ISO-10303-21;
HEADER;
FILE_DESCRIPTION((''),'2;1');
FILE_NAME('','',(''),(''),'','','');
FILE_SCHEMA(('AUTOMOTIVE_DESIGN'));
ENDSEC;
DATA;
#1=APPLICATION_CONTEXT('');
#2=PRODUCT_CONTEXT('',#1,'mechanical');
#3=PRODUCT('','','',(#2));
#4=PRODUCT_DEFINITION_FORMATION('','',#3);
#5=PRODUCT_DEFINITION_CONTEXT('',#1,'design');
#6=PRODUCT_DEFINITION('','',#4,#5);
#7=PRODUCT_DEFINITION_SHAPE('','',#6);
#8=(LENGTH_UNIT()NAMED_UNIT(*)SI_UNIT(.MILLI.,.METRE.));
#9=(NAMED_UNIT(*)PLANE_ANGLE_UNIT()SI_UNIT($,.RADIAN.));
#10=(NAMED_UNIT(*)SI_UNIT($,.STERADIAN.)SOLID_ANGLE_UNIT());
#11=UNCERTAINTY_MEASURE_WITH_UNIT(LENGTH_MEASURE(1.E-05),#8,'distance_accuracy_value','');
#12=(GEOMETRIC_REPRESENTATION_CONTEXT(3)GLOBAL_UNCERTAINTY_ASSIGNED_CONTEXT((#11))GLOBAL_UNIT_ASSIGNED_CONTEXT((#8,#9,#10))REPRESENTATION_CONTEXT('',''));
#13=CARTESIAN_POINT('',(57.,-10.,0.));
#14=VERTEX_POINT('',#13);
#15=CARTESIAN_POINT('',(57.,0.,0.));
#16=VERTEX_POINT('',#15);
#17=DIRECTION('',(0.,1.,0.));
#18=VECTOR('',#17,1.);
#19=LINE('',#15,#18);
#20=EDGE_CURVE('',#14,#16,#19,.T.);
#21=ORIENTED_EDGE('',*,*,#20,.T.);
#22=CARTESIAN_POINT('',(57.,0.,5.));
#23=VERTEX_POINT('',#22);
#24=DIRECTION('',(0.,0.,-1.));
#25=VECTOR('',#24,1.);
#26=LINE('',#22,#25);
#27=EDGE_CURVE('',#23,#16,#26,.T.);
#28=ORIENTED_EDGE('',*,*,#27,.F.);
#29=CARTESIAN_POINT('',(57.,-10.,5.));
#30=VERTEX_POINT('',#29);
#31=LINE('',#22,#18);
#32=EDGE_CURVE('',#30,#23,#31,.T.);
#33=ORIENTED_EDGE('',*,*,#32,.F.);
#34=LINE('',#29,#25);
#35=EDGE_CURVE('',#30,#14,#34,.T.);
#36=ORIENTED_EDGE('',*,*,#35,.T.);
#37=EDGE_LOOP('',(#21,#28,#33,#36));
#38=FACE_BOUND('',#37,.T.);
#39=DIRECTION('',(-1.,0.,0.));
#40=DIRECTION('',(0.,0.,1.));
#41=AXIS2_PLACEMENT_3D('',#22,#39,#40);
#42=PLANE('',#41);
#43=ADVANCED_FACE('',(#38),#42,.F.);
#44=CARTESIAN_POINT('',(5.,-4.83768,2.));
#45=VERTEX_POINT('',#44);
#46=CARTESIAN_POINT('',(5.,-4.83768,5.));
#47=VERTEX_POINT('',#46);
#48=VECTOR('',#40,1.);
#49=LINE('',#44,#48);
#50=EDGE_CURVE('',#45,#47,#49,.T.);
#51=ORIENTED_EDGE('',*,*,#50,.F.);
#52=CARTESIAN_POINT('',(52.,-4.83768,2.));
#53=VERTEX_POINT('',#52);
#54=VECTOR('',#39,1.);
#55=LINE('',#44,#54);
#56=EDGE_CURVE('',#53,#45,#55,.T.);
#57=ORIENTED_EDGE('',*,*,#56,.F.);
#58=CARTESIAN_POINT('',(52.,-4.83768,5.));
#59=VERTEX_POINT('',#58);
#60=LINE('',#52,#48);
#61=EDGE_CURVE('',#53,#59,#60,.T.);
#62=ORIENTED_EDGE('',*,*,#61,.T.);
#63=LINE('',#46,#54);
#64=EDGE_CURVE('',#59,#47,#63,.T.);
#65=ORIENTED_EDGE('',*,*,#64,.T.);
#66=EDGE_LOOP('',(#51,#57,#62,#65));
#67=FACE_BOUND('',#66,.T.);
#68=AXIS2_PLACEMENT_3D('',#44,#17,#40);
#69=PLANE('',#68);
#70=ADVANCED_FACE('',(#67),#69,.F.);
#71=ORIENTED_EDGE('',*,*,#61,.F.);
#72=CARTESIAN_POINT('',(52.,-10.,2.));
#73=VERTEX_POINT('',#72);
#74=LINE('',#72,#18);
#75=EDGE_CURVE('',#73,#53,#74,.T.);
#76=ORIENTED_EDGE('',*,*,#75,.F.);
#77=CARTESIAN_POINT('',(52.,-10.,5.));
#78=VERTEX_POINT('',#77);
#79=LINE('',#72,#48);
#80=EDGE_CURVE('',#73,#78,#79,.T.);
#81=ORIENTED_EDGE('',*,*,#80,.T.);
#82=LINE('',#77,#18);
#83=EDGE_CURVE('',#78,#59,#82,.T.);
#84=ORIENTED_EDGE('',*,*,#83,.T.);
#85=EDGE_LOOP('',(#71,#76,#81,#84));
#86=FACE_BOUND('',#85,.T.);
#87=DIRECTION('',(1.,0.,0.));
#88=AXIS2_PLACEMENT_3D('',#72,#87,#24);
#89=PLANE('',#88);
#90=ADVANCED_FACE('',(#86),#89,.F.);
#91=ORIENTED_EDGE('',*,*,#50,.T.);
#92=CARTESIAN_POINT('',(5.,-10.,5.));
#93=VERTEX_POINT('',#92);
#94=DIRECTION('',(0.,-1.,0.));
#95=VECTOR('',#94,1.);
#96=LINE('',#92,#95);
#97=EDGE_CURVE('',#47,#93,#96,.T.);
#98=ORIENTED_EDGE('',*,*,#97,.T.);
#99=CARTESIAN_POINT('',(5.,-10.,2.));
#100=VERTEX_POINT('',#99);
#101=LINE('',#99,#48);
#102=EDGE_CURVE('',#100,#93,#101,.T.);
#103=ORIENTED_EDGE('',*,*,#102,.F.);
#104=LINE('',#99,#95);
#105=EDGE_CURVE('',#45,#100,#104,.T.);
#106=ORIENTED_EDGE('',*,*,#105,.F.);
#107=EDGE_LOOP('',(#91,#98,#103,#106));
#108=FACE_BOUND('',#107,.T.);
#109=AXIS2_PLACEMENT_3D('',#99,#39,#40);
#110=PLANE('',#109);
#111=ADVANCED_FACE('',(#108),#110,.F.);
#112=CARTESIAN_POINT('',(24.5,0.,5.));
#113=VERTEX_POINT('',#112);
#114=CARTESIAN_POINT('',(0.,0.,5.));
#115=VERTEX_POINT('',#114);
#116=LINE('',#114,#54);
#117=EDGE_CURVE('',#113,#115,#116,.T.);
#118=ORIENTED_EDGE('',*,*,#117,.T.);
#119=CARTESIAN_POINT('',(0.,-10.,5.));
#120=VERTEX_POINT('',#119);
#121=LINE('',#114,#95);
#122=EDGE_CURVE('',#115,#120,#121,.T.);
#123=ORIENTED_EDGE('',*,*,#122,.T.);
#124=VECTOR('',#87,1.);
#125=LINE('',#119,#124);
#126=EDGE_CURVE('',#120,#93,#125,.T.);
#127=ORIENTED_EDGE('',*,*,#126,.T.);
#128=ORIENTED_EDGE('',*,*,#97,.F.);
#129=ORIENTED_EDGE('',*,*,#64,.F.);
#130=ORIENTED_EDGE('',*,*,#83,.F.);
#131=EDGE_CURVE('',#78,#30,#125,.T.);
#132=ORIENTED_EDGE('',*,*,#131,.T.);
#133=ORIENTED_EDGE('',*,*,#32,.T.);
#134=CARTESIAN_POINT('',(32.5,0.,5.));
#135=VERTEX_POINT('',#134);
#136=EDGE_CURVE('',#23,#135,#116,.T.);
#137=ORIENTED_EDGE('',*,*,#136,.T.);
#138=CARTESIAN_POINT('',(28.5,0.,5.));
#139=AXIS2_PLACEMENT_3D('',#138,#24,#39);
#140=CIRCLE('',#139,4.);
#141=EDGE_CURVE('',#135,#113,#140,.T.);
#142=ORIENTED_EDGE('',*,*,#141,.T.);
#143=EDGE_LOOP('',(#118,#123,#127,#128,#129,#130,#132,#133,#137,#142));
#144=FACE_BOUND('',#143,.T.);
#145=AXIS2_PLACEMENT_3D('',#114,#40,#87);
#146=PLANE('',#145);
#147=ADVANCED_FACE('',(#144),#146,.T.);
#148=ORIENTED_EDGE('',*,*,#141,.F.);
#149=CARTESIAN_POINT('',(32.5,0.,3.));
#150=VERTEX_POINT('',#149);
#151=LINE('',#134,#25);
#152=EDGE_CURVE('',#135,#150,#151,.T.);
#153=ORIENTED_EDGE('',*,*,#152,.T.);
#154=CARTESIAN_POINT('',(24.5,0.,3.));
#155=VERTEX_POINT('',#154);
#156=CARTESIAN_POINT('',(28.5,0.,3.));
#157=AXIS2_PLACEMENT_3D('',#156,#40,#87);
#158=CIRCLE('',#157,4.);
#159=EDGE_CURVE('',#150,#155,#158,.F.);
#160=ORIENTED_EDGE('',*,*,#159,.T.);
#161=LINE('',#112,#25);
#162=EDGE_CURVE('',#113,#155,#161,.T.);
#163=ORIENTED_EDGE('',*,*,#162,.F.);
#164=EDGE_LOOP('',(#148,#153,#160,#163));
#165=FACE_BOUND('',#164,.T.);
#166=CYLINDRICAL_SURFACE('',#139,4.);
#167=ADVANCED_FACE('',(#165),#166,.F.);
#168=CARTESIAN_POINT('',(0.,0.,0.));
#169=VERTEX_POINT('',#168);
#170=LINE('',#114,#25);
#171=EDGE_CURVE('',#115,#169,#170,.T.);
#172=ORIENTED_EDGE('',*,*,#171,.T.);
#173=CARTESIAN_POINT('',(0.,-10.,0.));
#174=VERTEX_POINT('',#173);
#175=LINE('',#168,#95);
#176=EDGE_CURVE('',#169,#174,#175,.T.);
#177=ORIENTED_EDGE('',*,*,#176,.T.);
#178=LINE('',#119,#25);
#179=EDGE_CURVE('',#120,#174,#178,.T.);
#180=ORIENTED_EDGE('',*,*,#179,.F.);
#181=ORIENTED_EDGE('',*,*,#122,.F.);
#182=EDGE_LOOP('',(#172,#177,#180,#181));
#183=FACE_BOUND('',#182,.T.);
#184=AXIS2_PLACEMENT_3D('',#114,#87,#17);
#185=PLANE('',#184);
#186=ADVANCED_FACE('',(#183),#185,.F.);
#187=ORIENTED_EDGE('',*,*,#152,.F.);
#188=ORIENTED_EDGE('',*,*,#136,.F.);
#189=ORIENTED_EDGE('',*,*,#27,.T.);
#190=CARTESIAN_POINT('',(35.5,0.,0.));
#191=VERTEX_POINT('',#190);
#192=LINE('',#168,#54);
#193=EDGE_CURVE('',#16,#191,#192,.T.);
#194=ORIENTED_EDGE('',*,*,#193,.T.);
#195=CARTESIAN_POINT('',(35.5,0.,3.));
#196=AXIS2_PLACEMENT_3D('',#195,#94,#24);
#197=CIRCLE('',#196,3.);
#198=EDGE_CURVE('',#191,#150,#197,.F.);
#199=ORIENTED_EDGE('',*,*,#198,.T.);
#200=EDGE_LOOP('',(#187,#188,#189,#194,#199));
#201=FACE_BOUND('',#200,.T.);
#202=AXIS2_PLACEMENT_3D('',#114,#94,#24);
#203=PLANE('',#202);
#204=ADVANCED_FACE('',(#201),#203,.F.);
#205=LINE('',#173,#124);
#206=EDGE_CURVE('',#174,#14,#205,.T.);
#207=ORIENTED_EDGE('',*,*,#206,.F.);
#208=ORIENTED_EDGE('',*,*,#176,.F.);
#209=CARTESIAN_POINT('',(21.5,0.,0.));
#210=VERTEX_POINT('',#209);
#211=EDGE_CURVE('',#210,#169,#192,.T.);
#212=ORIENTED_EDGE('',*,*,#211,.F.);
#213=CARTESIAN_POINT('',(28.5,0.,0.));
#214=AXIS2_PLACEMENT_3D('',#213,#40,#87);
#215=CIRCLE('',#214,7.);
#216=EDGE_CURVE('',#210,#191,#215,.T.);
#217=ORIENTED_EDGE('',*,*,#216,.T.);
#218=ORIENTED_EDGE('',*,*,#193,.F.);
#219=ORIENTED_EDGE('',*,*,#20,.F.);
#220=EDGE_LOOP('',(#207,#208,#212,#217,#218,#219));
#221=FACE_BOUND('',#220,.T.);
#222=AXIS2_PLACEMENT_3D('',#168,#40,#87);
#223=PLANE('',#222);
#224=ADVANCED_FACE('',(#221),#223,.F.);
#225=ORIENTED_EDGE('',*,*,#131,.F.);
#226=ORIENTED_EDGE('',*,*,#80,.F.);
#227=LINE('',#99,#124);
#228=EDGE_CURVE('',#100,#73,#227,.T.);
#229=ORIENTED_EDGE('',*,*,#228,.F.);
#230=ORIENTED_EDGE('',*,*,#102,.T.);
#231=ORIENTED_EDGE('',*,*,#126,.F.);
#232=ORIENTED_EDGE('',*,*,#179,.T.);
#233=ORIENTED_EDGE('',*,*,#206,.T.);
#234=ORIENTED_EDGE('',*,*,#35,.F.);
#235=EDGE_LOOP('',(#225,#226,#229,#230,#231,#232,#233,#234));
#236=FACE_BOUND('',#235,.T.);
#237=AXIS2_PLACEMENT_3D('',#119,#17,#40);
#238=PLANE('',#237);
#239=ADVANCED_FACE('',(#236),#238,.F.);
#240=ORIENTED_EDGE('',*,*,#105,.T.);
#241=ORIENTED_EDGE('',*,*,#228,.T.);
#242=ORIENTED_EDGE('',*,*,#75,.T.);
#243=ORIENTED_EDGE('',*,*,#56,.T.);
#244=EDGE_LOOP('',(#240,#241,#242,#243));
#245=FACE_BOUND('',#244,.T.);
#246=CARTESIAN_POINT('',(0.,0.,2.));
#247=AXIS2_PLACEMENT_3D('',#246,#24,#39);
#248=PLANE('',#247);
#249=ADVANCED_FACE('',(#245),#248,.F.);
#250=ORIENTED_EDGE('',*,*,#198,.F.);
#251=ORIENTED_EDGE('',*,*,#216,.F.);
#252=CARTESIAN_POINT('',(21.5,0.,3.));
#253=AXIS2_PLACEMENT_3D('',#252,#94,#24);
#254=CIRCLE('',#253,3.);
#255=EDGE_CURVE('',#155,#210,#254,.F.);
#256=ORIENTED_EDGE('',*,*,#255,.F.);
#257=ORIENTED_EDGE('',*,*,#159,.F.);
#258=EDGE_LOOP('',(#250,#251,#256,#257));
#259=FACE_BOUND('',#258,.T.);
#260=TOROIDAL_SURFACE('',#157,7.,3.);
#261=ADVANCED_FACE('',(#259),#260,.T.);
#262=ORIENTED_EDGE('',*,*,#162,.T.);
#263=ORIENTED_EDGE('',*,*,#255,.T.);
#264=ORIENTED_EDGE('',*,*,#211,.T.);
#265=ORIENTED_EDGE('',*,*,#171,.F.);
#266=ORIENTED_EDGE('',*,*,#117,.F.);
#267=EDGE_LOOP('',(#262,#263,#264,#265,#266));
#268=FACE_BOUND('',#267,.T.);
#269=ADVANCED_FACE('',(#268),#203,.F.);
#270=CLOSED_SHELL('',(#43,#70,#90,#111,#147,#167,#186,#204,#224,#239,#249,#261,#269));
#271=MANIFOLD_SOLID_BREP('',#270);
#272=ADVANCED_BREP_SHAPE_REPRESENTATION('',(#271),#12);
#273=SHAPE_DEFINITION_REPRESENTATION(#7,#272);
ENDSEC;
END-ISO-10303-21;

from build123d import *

# Parameters (mm, degrees)
SKETCH1_W           = 57
SKETCH1_H           = 10
BOSS_EXTRUDE1_DEPTH = 5
SKETCH2_W           = 47
SKETCH2_H           = 5.162319645
CUT_EXTRUDE1_DEPTH  = 3
CUT_EXTRUDE2_DEPTH  = 6
FILLET1_R           = 3


with BuildPart() as part:
    # Sketch1 → Boss-Extrude1 (new body)
    with BuildSketch(Plane.XY):
        with Locations((28.5, -5)):
            Rectangle(SKETCH1_W, SKETCH1_H)
    extrude(amount=BOSS_EXTRUDE1_DEPTH)

    # Sketch2 → Cut-Extrude1 (cut)
    with BuildSketch(Plane.XY.offset(5)):
        with Locations((28.5, -7.418840177)):
            Rectangle(SKETCH2_W, SKETCH2_H)
    extrude(amount=-CUT_EXTRUDE1_DEPTH, mode=Mode.SUBTRACT)

    # Sketch3 → Cut-Extrude2 (cut, through all)
    with BuildSketch(Plane(origin=(0, 0, 0), x_dir=(-1, 0, 0), z_dir=(0, 0, -1))):
        with BuildLine():
            Line((-32.5, 0), (-24.5, 0))
            ThreePointArc((-24.5, 0), (-28.5, -4), (-32.5, 0))
        make_face()
    extrude(amount=-CUT_EXTRUDE2_DEPTH, mode=Mode.SUBTRACT)

    # Fillet1
    fillet1_edges = [part.edges().sort_by_distance(p)[0] for p in [
        (28.5, -4, 0),
    ]]
    fillet(fillet1_edges, radius=FILLET1_R)


solid = part.part
